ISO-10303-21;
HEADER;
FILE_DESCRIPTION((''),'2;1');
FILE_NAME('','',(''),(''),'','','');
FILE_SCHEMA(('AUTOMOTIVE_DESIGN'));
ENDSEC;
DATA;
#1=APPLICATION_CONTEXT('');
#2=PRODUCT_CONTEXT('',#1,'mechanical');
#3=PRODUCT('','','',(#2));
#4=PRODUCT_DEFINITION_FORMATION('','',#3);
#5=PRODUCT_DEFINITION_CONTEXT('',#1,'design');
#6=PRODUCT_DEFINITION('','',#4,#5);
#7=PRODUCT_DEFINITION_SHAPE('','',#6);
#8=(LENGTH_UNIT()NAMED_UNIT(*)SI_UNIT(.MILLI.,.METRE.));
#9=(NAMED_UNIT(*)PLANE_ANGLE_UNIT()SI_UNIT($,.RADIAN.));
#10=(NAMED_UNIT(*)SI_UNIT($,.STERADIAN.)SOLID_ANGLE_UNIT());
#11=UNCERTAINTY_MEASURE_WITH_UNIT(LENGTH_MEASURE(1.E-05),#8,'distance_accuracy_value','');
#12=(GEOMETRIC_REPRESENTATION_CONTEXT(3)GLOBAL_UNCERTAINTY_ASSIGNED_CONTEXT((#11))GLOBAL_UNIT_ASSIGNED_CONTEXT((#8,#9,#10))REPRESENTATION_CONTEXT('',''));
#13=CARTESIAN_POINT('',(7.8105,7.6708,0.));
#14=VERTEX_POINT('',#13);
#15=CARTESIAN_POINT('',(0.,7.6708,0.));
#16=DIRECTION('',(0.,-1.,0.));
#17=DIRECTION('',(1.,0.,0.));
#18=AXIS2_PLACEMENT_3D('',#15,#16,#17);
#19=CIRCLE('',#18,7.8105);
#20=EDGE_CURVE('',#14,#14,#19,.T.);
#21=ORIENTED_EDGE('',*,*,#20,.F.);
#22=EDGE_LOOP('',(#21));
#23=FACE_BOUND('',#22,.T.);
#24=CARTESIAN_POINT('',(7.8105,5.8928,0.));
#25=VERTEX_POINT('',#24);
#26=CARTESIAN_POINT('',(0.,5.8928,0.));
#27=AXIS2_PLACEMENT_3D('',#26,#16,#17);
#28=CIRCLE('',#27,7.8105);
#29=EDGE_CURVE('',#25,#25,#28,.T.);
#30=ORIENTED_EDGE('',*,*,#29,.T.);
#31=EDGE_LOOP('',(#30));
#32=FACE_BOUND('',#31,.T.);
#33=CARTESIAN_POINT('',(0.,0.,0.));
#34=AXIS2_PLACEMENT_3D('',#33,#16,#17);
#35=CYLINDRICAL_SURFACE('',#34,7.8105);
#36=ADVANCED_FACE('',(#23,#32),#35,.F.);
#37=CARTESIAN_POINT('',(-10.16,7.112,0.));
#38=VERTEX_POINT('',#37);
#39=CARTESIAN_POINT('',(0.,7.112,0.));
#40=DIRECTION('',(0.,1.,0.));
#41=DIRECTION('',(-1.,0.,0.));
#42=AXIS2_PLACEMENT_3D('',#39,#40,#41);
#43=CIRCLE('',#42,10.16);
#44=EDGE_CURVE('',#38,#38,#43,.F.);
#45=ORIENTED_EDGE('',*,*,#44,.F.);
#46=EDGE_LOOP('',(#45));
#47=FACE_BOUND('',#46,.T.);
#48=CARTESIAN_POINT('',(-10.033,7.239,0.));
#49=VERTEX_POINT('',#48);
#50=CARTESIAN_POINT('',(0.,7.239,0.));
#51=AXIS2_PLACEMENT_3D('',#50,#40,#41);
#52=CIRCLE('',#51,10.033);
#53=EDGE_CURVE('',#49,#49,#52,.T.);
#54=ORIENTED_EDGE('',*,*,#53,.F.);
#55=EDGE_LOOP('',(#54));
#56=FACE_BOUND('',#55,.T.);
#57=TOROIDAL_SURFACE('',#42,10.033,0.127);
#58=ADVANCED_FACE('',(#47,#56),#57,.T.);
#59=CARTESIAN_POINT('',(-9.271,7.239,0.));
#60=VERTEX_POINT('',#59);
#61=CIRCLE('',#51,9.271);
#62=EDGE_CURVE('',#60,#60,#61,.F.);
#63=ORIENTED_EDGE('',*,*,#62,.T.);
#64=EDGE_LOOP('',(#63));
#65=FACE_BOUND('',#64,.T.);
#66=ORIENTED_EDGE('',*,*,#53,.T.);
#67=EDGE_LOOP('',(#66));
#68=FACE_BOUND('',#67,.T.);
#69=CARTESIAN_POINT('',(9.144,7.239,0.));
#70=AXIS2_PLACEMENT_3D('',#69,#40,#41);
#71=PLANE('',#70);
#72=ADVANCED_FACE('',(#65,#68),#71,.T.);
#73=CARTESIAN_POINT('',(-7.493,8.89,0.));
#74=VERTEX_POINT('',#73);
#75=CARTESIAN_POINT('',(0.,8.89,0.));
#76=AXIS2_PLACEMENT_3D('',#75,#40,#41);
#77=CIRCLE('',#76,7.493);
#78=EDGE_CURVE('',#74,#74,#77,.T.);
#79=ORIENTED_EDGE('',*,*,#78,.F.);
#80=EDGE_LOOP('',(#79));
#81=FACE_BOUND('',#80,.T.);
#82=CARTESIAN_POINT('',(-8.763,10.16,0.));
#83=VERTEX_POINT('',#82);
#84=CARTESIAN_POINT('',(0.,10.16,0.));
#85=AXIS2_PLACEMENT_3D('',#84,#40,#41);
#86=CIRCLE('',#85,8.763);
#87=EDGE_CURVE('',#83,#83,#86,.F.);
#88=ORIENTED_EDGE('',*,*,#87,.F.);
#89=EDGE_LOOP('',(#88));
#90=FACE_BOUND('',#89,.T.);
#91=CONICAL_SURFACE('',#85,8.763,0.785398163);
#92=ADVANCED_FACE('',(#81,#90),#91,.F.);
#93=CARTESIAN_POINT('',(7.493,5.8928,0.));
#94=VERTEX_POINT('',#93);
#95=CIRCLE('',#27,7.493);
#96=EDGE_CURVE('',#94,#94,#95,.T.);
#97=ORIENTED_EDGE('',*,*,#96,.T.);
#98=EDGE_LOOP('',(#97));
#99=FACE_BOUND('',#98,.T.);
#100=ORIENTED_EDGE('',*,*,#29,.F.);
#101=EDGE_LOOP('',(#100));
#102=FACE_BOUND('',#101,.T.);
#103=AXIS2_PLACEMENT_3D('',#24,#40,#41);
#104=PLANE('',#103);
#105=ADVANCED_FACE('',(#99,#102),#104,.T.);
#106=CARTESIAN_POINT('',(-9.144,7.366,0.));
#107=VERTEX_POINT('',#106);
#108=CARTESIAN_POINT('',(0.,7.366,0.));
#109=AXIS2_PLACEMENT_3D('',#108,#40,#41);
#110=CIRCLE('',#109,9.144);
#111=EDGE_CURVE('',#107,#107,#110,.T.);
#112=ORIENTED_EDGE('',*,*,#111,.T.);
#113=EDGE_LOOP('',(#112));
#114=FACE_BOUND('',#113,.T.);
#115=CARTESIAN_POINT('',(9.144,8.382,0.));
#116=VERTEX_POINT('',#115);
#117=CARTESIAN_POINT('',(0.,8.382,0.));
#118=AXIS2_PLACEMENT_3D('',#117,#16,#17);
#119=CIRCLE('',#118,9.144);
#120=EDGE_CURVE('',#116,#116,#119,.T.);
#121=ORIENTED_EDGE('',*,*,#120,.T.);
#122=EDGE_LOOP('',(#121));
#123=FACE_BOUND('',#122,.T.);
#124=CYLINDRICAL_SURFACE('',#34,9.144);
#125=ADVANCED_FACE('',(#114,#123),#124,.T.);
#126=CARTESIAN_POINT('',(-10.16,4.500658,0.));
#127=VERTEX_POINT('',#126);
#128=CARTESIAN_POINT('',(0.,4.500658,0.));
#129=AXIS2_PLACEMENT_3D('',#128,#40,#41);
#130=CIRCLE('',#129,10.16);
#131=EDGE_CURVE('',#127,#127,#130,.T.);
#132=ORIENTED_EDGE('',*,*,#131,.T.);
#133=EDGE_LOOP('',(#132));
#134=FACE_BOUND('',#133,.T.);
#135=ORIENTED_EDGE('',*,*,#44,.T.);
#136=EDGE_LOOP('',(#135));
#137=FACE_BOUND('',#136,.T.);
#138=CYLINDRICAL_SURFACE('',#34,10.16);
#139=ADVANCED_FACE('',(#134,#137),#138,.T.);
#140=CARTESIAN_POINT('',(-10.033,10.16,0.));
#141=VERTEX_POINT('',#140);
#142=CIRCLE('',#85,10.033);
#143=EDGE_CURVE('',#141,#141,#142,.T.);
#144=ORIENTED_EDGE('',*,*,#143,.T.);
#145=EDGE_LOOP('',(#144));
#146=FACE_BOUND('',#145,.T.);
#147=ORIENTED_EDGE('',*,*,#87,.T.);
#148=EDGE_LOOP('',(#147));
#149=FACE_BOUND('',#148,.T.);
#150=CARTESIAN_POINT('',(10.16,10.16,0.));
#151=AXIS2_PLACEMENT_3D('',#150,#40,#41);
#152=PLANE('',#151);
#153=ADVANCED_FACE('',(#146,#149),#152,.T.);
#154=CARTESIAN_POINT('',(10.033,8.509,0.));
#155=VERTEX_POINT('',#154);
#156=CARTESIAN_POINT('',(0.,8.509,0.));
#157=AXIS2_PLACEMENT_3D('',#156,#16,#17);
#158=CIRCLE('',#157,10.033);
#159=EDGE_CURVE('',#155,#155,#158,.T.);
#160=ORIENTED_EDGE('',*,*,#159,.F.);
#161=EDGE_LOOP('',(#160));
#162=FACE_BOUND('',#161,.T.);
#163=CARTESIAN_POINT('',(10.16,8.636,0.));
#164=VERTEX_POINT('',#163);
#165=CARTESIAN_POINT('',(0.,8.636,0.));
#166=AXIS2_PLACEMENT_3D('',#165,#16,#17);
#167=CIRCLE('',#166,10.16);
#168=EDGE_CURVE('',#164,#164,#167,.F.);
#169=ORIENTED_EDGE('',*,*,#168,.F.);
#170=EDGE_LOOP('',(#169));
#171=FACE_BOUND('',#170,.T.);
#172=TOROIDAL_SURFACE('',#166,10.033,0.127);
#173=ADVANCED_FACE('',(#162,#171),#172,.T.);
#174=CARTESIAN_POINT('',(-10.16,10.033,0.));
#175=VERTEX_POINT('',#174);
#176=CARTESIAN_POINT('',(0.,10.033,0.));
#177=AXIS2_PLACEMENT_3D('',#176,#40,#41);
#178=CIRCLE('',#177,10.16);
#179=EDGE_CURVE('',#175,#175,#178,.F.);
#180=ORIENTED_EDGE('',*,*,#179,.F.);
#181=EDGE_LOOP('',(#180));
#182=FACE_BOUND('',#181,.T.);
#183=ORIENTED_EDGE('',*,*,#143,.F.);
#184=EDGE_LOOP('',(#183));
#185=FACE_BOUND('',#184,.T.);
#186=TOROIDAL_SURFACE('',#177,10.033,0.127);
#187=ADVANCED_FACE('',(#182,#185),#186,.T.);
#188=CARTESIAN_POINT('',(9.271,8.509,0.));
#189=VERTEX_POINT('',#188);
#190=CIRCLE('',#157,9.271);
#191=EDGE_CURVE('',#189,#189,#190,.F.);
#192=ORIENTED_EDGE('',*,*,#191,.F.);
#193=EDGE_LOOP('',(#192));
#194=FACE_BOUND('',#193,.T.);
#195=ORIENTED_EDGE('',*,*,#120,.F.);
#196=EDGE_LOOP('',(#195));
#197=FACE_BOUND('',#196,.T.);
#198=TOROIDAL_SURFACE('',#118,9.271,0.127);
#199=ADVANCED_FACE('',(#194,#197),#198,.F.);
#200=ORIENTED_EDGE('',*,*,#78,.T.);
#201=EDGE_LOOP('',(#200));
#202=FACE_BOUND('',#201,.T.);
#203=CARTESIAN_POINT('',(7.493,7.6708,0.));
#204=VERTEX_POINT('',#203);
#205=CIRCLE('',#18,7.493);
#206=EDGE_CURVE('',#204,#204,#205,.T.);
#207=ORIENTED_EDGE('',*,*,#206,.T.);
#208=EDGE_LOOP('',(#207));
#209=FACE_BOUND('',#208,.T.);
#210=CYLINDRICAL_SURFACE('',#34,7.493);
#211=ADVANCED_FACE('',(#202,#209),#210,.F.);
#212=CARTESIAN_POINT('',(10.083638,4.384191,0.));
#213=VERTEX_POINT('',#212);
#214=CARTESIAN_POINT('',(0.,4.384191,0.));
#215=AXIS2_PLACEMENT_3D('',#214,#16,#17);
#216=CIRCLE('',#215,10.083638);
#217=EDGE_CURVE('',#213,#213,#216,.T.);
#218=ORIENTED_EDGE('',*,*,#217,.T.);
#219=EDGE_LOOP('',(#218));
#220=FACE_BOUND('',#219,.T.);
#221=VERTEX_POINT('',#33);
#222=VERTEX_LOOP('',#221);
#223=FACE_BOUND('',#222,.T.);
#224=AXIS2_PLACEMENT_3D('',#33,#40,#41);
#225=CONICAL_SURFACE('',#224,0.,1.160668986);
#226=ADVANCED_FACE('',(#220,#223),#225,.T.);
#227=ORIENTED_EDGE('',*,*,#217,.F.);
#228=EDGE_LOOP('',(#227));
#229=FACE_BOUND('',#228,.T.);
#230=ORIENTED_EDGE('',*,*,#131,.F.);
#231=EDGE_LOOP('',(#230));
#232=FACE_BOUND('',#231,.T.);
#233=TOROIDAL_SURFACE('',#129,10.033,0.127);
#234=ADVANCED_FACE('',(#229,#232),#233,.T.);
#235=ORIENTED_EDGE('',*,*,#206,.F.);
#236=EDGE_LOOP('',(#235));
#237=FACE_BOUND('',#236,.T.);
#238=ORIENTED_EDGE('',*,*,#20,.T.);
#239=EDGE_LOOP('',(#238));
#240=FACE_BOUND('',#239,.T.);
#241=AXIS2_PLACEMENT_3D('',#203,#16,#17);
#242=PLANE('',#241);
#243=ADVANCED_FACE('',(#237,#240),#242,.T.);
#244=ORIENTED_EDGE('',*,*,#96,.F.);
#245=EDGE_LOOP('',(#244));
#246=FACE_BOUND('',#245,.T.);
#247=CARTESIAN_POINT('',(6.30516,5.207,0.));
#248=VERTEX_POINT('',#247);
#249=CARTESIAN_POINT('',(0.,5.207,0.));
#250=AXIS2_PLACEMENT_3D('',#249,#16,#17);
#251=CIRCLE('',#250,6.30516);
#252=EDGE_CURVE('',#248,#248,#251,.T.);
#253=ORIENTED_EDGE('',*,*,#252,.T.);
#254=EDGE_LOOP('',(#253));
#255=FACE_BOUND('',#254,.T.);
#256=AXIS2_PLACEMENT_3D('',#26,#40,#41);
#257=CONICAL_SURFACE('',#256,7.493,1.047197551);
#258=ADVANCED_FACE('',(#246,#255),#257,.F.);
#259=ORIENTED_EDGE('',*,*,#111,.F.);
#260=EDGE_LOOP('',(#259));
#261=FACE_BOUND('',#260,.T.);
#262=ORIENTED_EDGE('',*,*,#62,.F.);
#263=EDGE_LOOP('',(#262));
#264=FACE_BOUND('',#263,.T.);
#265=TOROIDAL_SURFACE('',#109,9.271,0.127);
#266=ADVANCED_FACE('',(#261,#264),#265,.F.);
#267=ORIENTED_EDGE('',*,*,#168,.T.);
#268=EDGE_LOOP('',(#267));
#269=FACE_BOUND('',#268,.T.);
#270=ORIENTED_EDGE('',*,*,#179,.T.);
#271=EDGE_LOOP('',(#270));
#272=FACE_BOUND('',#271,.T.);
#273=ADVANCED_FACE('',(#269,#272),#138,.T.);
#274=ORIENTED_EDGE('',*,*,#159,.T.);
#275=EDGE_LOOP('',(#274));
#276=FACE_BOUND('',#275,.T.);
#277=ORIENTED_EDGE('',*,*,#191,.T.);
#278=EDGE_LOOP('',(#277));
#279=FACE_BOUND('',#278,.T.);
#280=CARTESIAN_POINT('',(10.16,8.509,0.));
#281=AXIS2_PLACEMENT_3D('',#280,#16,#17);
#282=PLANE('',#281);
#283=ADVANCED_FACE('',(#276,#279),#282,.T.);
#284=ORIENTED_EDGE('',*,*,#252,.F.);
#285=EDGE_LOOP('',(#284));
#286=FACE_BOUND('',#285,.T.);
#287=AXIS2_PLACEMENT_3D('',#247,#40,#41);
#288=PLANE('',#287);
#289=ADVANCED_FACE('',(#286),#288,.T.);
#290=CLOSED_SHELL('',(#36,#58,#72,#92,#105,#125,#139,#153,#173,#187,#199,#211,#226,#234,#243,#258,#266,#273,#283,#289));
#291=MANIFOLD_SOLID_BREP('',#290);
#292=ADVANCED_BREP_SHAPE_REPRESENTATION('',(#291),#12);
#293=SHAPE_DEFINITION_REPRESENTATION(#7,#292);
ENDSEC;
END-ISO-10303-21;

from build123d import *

# Parameters (mm, degrees)
CHAMFER1_SIZE = 1.27
FILLET1_R     = 0.127


with BuildPart() as part:
    # Sketch1 → Revolve1 (revolve)
    with BuildSketch(Plane.XY):
        Polygon((0, 0), (10.16, 4.417391304), (10.16, 7.239), (9.144, 7.239), (9.144, 8.509), (10.16, 8.509), (10.16, 10.16), (7.493, 10.16), (7.493, 7.6708), (7.8105, 7.6708), (7.8105, 5.8928), (7.493, 5.8928), (6.305159556, 5.207), (0, 5.207), align=None)
    revolve(axis=Axis((0, 0, 0), (0, 1, 0)))

    # Chamfer1
    chamfer1_edges = [part.edges().sort_by_distance(p)[0] for p in [
        (-7.493, 10.16, 0),
    ]]
    chamfer(chamfer1_edges, length=CHAMFER1_SIZE)

    # Fillet1
    fillet1_edges = [part.edges().sort_by_distance(p)[0] for p in [
        (-10.16, 10.16, 0),
        (-10.16, 8.509, 0),
        (-9.144, 8.509, 0),
        (-9.144, 7.239, 0),
        (-10.16, 7.239, 0),
        (-10.16, 4.417391304, 0),
    ]]
    fillet(fillet1_edges, radius=FILLET1_R)


solid = part.part
